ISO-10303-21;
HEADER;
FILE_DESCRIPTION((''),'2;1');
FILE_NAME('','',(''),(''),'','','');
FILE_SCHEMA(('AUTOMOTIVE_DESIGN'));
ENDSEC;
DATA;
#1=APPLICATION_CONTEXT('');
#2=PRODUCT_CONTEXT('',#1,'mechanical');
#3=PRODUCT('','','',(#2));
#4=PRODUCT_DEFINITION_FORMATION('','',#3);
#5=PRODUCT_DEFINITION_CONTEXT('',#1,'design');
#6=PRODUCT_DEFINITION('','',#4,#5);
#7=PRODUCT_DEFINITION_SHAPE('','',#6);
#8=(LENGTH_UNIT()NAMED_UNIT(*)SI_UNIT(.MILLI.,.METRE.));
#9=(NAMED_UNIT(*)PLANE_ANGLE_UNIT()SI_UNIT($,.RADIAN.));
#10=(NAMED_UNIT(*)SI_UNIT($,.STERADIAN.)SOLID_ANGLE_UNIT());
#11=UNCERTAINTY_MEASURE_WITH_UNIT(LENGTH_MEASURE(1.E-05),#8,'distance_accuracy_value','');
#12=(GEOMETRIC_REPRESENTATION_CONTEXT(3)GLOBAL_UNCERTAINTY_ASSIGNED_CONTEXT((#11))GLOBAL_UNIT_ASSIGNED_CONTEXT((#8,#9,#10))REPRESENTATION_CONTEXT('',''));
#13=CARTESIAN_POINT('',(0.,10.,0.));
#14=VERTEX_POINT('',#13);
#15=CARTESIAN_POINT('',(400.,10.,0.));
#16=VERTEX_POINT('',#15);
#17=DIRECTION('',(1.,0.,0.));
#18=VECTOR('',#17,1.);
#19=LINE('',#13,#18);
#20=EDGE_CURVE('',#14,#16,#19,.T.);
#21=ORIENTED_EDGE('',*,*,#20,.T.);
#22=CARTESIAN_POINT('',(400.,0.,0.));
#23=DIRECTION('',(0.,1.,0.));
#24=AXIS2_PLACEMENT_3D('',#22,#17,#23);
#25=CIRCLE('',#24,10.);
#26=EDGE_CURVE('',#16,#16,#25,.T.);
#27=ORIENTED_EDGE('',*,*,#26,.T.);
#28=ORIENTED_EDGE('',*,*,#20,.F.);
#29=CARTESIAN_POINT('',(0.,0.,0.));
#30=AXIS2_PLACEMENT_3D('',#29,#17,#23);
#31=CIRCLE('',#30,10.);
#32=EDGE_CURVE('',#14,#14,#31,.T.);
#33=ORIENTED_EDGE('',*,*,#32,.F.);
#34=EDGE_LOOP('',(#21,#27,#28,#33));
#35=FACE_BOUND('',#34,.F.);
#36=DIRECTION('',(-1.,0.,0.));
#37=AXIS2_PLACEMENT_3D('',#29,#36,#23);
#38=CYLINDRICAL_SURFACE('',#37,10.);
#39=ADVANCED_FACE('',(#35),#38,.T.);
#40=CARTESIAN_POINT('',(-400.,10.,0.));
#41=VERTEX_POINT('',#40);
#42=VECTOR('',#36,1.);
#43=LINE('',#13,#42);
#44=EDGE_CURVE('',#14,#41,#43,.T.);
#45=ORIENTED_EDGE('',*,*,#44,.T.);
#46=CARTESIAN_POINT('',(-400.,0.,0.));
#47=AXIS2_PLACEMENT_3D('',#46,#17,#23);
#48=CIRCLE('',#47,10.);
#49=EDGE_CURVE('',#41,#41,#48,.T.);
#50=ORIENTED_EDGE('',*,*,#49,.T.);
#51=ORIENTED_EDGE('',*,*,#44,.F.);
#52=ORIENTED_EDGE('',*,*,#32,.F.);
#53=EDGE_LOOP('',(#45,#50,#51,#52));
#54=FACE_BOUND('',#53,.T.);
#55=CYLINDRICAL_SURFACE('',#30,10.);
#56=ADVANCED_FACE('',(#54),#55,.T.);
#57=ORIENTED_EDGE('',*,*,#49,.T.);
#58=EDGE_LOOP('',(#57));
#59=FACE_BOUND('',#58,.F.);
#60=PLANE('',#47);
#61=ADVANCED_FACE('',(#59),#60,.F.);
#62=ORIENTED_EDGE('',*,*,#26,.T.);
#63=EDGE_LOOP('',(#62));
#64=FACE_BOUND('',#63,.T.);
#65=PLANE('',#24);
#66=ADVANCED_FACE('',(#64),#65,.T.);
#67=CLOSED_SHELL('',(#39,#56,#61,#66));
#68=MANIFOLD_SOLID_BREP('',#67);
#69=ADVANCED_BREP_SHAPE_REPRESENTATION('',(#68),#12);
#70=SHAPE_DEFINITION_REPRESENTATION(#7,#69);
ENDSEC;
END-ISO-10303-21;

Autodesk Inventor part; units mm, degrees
ref_plane "YZ Plane" through (0, 0, 0) normal (1, 0, 0) x (0, 1, 0)
ref_plane "XZ Plane" through (0, 0, 0) normal (0, 1, 0) x (-1, 0, 0)
ref_plane "XY Plane" through (0, 0, 0) normal (0, 0, 1) x (1, 0, 0)
sketch "草图1" plane through (0, 0, 0) normal (1, 0, 0) x (0, 1, 0)
  circle A0 centre (0, 0) radius 10
  dimension "d0" = 20
extrude "拉伸1" add sketch "草图1" along normal mid plane 800
properties part number "sbr_linear_guide"
